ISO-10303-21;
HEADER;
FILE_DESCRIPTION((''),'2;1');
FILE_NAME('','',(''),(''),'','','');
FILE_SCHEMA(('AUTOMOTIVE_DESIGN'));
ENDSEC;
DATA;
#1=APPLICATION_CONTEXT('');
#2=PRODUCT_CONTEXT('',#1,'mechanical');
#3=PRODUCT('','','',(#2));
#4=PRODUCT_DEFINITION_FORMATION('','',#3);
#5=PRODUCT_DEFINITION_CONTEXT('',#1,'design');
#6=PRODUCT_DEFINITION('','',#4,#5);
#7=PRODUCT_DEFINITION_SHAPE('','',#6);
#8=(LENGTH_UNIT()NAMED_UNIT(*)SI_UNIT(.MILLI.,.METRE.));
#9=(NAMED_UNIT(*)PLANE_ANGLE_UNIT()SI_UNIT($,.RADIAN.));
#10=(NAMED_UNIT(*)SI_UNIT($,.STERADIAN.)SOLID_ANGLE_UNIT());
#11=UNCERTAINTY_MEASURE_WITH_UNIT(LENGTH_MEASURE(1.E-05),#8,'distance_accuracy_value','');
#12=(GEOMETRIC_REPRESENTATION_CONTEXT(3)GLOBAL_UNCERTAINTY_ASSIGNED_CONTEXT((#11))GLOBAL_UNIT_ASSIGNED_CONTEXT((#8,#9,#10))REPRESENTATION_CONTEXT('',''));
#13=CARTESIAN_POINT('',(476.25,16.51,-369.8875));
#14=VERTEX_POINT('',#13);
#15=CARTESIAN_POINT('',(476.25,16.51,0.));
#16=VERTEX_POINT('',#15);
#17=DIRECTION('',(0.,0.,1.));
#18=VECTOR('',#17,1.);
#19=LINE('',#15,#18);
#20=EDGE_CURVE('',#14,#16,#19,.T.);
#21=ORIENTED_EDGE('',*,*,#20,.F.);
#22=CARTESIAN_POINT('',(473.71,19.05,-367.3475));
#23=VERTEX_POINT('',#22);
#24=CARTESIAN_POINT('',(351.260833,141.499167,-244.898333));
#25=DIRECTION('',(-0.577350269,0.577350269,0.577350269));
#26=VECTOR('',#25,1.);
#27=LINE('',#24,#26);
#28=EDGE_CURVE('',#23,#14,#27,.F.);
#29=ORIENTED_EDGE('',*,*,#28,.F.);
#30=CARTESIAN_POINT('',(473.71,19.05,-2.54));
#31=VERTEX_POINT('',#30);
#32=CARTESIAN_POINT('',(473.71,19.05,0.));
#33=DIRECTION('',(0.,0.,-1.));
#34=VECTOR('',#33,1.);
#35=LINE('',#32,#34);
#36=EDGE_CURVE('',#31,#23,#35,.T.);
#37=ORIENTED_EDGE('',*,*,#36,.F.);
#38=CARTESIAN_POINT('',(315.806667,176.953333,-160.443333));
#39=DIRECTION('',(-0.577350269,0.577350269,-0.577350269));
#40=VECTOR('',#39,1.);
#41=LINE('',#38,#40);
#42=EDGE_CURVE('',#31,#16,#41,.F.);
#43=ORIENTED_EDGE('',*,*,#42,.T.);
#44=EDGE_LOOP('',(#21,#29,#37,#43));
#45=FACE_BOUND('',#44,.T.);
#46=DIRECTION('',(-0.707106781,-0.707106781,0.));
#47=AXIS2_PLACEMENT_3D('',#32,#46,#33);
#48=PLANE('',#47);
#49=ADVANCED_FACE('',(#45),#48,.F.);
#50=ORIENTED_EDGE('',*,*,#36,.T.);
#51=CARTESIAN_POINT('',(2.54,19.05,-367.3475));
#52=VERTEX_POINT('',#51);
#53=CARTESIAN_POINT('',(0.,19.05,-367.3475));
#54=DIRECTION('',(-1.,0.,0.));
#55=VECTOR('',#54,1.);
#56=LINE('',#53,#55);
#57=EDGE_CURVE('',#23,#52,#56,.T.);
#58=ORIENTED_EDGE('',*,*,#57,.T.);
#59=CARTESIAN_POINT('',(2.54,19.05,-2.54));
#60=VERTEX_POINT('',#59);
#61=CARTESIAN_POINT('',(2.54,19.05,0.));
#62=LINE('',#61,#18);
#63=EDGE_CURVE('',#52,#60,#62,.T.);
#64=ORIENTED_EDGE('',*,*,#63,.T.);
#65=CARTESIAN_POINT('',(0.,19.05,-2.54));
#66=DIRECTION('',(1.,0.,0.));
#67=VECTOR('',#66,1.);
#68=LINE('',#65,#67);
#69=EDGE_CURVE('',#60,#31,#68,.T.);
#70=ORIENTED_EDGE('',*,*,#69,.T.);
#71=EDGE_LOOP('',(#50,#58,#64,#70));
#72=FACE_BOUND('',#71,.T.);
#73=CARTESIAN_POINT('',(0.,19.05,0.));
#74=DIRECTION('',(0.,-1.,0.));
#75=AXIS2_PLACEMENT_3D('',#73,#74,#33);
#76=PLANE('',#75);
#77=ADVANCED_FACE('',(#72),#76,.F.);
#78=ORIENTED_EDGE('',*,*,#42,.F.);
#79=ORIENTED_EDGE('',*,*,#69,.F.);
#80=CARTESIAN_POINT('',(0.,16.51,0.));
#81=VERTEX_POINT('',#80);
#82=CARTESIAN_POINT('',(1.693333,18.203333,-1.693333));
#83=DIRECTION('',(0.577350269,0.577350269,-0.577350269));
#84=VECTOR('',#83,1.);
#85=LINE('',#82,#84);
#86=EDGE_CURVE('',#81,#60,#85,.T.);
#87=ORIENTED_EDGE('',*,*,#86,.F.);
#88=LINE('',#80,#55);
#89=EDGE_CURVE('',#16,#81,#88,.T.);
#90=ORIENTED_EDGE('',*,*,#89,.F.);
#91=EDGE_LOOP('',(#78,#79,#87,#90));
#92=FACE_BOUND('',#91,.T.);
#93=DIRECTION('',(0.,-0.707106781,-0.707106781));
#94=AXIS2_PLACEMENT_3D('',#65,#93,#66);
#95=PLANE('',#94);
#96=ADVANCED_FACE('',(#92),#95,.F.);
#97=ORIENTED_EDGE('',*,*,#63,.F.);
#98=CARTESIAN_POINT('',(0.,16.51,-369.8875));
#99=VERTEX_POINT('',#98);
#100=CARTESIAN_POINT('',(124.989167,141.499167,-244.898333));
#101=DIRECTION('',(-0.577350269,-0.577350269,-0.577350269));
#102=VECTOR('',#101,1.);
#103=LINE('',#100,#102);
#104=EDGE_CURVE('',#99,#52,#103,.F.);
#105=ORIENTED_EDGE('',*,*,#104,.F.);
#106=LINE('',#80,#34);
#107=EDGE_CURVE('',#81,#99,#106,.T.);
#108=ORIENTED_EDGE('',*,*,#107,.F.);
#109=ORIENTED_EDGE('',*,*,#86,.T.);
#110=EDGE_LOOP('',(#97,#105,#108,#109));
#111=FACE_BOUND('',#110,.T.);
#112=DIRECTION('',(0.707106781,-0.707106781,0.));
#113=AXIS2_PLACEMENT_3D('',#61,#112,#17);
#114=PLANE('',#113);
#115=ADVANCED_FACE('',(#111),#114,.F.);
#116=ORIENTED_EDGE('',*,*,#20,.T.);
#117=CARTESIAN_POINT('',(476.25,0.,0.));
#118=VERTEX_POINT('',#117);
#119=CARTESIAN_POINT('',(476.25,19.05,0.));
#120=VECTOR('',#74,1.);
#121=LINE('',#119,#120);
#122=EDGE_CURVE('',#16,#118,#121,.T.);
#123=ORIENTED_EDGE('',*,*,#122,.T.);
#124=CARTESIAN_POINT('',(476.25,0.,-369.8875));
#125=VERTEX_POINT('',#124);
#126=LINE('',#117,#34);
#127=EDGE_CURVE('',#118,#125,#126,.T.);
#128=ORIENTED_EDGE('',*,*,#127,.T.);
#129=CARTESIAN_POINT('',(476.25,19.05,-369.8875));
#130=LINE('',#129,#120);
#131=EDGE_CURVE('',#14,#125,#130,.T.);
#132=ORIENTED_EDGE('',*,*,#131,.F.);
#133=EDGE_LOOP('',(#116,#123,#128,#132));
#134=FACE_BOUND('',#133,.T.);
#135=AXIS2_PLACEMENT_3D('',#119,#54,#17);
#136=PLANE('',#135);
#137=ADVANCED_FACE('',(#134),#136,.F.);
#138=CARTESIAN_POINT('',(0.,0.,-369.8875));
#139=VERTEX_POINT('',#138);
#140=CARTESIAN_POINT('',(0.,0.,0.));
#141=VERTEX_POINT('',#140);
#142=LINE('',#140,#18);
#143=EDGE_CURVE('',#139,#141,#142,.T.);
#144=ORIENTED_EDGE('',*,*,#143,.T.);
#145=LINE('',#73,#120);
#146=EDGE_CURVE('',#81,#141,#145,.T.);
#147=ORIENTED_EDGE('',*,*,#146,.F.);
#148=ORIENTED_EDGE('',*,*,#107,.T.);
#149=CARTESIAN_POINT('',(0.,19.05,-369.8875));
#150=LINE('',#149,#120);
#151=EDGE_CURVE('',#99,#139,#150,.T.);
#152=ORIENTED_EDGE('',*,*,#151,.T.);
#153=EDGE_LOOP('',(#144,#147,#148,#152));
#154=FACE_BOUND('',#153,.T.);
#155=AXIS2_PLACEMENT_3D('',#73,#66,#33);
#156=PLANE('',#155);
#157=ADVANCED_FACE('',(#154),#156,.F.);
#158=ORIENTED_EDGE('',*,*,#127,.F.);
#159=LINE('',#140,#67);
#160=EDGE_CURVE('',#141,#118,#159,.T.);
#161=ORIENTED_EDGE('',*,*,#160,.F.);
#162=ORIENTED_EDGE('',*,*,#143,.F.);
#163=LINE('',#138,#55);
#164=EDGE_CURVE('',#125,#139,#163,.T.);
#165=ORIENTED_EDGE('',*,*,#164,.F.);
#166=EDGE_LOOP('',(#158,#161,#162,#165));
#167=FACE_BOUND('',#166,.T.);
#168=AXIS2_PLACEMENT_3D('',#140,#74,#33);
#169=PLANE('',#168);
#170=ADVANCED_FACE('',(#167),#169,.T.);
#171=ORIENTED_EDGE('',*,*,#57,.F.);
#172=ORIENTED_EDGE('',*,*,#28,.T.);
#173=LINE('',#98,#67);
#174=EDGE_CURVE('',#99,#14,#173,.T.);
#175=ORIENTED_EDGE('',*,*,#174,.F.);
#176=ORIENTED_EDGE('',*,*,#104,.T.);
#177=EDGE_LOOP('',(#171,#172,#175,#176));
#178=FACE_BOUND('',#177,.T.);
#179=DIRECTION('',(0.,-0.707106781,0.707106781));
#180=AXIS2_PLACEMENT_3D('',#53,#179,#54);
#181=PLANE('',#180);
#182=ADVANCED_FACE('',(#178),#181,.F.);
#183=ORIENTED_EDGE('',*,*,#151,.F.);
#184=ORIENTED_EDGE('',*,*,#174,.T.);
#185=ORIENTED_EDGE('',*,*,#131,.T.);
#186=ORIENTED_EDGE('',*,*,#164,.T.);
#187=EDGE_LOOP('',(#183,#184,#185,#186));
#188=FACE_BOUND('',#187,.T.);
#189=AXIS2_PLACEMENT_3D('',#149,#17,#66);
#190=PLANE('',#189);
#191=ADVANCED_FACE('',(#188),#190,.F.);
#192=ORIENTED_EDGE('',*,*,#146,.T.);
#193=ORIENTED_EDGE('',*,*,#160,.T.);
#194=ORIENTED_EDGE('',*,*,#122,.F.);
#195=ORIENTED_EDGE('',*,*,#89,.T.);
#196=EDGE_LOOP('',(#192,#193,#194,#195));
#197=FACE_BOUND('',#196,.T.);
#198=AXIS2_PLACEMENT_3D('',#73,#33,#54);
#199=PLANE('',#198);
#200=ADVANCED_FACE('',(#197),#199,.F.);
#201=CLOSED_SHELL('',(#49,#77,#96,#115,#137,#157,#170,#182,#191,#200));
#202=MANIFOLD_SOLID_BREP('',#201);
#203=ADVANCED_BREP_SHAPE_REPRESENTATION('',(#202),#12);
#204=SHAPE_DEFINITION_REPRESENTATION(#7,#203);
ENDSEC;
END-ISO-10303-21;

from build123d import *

# Parameters (mm, degrees)
SKETCH1_W           = 476.25
SKETCH1_H           = 369.8875
BOSS_EXTRUDE1_DEPTH = 19.05
CHAMFER1_SIZE       = 2.54


with BuildPart() as part:
    # Sketch1 → Boss-Extrude1 (new body)
    with BuildSketch(Plane(origin=(0, 0, 0), x_dir=(1, 0, 0), z_dir=(0, 1, 0))):
        with Locations((238.125, 184.94375)):
            Rectangle(SKETCH1_W, SKETCH1_H)
    extrude(amount=BOSS_EXTRUDE1_DEPTH)

    # Chamfer1
    chamfer1_edges = [part.edges().sort_by_distance(p)[0] for p in [
        (476.25, 19.05, -184.94375),
        (238.125, 19.05, -369.8875),
        (0, 19.05, -184.94375),
        (238.125, 19.05, 0),
    ]]
    chamfer(chamfer1_edges, length=CHAMFER1_SIZE)


solid = part.part
